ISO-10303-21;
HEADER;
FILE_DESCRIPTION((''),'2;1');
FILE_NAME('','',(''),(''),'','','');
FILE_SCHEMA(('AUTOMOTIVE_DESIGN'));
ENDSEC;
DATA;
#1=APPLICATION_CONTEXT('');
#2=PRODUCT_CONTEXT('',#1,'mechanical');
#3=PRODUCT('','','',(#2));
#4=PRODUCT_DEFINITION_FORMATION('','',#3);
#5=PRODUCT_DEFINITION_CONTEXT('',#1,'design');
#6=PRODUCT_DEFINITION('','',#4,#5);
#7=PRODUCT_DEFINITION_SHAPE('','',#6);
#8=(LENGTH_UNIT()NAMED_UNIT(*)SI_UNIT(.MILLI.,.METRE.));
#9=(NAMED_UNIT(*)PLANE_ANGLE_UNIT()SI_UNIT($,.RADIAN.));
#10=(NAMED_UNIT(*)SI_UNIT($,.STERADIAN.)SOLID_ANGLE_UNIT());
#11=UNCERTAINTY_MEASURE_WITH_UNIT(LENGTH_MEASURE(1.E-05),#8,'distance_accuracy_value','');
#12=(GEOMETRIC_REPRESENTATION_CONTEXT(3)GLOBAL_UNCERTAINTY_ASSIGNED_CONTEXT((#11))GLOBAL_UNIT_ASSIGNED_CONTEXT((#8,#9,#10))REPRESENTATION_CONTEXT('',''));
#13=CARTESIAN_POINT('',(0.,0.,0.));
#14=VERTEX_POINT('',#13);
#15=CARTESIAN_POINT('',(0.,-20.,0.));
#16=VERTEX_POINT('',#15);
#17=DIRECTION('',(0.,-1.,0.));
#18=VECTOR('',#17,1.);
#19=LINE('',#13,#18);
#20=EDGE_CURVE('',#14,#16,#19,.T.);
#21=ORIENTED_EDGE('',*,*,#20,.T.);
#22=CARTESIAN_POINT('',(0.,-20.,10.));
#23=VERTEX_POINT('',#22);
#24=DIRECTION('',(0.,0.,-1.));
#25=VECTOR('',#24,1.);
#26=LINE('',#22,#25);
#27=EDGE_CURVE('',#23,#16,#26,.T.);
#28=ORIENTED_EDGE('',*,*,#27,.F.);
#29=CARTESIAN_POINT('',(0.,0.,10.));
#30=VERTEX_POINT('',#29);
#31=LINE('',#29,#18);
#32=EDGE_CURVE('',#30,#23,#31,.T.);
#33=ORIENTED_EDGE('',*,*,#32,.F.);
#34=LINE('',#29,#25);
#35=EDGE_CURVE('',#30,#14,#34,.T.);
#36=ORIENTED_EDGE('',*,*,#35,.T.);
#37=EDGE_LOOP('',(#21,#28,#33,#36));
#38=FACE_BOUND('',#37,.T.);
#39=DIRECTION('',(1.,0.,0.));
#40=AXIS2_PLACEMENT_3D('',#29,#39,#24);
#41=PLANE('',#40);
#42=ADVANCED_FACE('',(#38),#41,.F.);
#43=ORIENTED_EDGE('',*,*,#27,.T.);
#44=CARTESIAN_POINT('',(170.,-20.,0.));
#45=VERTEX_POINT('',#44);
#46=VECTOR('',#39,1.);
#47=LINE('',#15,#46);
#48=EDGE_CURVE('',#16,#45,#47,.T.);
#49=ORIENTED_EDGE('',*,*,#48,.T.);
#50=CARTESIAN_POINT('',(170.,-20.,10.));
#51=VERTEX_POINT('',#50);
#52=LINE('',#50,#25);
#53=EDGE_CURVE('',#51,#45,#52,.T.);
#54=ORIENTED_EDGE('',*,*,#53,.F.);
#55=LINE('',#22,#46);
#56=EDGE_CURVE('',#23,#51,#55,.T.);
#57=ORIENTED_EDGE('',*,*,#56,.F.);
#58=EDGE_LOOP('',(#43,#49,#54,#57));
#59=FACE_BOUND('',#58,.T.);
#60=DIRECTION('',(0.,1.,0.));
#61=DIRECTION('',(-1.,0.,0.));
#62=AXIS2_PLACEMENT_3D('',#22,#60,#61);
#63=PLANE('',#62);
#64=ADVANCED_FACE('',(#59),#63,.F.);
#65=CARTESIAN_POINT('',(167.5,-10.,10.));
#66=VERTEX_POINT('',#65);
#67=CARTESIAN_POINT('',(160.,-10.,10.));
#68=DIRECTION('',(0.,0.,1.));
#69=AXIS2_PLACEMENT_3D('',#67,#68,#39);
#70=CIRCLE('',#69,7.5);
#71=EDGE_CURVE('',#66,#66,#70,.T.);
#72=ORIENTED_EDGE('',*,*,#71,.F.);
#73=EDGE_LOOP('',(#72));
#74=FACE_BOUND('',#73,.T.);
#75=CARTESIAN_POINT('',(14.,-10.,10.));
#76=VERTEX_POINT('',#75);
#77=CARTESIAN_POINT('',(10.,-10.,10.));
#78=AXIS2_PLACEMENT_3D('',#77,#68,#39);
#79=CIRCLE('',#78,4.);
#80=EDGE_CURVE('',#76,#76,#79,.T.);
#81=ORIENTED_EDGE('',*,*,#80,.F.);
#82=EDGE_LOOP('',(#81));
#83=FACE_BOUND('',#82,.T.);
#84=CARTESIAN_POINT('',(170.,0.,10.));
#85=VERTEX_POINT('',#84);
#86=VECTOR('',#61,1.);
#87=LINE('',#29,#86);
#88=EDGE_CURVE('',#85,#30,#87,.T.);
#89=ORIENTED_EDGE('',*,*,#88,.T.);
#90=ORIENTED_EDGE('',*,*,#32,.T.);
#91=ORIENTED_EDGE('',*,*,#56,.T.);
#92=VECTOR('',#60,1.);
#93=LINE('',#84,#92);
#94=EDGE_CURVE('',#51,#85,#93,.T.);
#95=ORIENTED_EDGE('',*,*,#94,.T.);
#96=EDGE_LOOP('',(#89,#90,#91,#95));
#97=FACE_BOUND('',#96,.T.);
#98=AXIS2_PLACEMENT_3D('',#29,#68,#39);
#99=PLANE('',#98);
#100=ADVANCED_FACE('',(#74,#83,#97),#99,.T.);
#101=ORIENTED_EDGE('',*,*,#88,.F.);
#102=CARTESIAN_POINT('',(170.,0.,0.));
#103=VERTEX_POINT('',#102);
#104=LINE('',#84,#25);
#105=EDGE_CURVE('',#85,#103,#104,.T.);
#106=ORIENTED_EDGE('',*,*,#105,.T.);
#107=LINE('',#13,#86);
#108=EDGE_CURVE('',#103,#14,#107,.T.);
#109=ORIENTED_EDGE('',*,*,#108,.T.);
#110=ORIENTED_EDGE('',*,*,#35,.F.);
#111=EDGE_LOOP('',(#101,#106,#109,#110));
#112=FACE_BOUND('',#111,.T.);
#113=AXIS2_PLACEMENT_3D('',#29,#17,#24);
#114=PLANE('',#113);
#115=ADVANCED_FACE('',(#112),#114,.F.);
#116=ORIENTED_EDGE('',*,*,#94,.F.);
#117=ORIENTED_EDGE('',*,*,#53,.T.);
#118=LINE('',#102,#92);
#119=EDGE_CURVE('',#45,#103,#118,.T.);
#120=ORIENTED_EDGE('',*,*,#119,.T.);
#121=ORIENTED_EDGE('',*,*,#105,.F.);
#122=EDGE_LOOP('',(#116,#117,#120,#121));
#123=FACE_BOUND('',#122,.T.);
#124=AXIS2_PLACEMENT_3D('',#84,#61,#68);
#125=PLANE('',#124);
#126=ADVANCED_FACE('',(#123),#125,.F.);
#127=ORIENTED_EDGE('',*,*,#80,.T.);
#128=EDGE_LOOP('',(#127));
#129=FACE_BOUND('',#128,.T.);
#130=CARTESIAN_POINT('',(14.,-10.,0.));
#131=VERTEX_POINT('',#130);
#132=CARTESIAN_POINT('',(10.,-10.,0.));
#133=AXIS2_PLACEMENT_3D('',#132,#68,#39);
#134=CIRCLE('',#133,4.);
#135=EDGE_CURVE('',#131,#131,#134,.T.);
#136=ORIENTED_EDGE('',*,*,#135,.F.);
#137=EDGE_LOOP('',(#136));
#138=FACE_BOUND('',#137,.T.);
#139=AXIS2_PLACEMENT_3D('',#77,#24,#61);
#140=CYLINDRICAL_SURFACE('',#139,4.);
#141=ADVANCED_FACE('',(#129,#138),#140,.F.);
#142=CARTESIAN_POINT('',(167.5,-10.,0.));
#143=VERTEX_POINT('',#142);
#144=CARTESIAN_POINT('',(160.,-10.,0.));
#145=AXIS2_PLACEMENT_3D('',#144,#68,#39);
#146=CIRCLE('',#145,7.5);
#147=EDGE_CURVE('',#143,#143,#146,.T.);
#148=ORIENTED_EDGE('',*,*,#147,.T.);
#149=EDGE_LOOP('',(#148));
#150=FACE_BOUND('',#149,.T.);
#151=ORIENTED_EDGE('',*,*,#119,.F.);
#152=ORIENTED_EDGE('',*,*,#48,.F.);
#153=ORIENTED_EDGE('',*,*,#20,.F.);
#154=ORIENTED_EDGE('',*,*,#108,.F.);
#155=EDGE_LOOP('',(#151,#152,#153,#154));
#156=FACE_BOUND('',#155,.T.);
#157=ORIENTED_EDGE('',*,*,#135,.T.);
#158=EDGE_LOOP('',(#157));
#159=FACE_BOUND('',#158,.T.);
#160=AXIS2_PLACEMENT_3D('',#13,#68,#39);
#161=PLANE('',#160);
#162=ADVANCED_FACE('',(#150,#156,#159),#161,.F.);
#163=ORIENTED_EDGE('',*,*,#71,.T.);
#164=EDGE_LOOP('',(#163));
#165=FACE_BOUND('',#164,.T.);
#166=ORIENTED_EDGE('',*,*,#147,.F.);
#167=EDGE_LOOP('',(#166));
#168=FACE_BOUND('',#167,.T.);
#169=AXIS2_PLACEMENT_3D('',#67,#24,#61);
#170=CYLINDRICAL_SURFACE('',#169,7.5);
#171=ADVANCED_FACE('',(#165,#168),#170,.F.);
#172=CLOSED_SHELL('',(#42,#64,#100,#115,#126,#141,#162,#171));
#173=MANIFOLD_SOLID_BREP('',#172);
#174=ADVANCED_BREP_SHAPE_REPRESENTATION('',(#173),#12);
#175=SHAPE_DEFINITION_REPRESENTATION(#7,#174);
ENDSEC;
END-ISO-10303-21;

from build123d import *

# Parameters (mm, degrees)
SKETCH_1_W      = 170
SKETCH_1_H      = 20
SKETCH_1_R      = 4
SKETCH_1_R_2    = 7.5
EXTRUDE_1_DEPTH = 10


with BuildPart() as part:
    # 草图1 → 凸台-拉伸1 (new body)
    with BuildSketch(Plane.XY):
        with Locations((85, -10)):
            Rectangle(SKETCH_1_W, SKETCH_1_H)
        with Locations((10, -10)):
            Circle(SKETCH_1_R, mode=Mode.SUBTRACT)
        with Locations((160, -10)):
            Circle(SKETCH_1_R_2, mode=Mode.SUBTRACT)
    extrude(amount=EXTRUDE_1_DEPTH)


solid = part.part
